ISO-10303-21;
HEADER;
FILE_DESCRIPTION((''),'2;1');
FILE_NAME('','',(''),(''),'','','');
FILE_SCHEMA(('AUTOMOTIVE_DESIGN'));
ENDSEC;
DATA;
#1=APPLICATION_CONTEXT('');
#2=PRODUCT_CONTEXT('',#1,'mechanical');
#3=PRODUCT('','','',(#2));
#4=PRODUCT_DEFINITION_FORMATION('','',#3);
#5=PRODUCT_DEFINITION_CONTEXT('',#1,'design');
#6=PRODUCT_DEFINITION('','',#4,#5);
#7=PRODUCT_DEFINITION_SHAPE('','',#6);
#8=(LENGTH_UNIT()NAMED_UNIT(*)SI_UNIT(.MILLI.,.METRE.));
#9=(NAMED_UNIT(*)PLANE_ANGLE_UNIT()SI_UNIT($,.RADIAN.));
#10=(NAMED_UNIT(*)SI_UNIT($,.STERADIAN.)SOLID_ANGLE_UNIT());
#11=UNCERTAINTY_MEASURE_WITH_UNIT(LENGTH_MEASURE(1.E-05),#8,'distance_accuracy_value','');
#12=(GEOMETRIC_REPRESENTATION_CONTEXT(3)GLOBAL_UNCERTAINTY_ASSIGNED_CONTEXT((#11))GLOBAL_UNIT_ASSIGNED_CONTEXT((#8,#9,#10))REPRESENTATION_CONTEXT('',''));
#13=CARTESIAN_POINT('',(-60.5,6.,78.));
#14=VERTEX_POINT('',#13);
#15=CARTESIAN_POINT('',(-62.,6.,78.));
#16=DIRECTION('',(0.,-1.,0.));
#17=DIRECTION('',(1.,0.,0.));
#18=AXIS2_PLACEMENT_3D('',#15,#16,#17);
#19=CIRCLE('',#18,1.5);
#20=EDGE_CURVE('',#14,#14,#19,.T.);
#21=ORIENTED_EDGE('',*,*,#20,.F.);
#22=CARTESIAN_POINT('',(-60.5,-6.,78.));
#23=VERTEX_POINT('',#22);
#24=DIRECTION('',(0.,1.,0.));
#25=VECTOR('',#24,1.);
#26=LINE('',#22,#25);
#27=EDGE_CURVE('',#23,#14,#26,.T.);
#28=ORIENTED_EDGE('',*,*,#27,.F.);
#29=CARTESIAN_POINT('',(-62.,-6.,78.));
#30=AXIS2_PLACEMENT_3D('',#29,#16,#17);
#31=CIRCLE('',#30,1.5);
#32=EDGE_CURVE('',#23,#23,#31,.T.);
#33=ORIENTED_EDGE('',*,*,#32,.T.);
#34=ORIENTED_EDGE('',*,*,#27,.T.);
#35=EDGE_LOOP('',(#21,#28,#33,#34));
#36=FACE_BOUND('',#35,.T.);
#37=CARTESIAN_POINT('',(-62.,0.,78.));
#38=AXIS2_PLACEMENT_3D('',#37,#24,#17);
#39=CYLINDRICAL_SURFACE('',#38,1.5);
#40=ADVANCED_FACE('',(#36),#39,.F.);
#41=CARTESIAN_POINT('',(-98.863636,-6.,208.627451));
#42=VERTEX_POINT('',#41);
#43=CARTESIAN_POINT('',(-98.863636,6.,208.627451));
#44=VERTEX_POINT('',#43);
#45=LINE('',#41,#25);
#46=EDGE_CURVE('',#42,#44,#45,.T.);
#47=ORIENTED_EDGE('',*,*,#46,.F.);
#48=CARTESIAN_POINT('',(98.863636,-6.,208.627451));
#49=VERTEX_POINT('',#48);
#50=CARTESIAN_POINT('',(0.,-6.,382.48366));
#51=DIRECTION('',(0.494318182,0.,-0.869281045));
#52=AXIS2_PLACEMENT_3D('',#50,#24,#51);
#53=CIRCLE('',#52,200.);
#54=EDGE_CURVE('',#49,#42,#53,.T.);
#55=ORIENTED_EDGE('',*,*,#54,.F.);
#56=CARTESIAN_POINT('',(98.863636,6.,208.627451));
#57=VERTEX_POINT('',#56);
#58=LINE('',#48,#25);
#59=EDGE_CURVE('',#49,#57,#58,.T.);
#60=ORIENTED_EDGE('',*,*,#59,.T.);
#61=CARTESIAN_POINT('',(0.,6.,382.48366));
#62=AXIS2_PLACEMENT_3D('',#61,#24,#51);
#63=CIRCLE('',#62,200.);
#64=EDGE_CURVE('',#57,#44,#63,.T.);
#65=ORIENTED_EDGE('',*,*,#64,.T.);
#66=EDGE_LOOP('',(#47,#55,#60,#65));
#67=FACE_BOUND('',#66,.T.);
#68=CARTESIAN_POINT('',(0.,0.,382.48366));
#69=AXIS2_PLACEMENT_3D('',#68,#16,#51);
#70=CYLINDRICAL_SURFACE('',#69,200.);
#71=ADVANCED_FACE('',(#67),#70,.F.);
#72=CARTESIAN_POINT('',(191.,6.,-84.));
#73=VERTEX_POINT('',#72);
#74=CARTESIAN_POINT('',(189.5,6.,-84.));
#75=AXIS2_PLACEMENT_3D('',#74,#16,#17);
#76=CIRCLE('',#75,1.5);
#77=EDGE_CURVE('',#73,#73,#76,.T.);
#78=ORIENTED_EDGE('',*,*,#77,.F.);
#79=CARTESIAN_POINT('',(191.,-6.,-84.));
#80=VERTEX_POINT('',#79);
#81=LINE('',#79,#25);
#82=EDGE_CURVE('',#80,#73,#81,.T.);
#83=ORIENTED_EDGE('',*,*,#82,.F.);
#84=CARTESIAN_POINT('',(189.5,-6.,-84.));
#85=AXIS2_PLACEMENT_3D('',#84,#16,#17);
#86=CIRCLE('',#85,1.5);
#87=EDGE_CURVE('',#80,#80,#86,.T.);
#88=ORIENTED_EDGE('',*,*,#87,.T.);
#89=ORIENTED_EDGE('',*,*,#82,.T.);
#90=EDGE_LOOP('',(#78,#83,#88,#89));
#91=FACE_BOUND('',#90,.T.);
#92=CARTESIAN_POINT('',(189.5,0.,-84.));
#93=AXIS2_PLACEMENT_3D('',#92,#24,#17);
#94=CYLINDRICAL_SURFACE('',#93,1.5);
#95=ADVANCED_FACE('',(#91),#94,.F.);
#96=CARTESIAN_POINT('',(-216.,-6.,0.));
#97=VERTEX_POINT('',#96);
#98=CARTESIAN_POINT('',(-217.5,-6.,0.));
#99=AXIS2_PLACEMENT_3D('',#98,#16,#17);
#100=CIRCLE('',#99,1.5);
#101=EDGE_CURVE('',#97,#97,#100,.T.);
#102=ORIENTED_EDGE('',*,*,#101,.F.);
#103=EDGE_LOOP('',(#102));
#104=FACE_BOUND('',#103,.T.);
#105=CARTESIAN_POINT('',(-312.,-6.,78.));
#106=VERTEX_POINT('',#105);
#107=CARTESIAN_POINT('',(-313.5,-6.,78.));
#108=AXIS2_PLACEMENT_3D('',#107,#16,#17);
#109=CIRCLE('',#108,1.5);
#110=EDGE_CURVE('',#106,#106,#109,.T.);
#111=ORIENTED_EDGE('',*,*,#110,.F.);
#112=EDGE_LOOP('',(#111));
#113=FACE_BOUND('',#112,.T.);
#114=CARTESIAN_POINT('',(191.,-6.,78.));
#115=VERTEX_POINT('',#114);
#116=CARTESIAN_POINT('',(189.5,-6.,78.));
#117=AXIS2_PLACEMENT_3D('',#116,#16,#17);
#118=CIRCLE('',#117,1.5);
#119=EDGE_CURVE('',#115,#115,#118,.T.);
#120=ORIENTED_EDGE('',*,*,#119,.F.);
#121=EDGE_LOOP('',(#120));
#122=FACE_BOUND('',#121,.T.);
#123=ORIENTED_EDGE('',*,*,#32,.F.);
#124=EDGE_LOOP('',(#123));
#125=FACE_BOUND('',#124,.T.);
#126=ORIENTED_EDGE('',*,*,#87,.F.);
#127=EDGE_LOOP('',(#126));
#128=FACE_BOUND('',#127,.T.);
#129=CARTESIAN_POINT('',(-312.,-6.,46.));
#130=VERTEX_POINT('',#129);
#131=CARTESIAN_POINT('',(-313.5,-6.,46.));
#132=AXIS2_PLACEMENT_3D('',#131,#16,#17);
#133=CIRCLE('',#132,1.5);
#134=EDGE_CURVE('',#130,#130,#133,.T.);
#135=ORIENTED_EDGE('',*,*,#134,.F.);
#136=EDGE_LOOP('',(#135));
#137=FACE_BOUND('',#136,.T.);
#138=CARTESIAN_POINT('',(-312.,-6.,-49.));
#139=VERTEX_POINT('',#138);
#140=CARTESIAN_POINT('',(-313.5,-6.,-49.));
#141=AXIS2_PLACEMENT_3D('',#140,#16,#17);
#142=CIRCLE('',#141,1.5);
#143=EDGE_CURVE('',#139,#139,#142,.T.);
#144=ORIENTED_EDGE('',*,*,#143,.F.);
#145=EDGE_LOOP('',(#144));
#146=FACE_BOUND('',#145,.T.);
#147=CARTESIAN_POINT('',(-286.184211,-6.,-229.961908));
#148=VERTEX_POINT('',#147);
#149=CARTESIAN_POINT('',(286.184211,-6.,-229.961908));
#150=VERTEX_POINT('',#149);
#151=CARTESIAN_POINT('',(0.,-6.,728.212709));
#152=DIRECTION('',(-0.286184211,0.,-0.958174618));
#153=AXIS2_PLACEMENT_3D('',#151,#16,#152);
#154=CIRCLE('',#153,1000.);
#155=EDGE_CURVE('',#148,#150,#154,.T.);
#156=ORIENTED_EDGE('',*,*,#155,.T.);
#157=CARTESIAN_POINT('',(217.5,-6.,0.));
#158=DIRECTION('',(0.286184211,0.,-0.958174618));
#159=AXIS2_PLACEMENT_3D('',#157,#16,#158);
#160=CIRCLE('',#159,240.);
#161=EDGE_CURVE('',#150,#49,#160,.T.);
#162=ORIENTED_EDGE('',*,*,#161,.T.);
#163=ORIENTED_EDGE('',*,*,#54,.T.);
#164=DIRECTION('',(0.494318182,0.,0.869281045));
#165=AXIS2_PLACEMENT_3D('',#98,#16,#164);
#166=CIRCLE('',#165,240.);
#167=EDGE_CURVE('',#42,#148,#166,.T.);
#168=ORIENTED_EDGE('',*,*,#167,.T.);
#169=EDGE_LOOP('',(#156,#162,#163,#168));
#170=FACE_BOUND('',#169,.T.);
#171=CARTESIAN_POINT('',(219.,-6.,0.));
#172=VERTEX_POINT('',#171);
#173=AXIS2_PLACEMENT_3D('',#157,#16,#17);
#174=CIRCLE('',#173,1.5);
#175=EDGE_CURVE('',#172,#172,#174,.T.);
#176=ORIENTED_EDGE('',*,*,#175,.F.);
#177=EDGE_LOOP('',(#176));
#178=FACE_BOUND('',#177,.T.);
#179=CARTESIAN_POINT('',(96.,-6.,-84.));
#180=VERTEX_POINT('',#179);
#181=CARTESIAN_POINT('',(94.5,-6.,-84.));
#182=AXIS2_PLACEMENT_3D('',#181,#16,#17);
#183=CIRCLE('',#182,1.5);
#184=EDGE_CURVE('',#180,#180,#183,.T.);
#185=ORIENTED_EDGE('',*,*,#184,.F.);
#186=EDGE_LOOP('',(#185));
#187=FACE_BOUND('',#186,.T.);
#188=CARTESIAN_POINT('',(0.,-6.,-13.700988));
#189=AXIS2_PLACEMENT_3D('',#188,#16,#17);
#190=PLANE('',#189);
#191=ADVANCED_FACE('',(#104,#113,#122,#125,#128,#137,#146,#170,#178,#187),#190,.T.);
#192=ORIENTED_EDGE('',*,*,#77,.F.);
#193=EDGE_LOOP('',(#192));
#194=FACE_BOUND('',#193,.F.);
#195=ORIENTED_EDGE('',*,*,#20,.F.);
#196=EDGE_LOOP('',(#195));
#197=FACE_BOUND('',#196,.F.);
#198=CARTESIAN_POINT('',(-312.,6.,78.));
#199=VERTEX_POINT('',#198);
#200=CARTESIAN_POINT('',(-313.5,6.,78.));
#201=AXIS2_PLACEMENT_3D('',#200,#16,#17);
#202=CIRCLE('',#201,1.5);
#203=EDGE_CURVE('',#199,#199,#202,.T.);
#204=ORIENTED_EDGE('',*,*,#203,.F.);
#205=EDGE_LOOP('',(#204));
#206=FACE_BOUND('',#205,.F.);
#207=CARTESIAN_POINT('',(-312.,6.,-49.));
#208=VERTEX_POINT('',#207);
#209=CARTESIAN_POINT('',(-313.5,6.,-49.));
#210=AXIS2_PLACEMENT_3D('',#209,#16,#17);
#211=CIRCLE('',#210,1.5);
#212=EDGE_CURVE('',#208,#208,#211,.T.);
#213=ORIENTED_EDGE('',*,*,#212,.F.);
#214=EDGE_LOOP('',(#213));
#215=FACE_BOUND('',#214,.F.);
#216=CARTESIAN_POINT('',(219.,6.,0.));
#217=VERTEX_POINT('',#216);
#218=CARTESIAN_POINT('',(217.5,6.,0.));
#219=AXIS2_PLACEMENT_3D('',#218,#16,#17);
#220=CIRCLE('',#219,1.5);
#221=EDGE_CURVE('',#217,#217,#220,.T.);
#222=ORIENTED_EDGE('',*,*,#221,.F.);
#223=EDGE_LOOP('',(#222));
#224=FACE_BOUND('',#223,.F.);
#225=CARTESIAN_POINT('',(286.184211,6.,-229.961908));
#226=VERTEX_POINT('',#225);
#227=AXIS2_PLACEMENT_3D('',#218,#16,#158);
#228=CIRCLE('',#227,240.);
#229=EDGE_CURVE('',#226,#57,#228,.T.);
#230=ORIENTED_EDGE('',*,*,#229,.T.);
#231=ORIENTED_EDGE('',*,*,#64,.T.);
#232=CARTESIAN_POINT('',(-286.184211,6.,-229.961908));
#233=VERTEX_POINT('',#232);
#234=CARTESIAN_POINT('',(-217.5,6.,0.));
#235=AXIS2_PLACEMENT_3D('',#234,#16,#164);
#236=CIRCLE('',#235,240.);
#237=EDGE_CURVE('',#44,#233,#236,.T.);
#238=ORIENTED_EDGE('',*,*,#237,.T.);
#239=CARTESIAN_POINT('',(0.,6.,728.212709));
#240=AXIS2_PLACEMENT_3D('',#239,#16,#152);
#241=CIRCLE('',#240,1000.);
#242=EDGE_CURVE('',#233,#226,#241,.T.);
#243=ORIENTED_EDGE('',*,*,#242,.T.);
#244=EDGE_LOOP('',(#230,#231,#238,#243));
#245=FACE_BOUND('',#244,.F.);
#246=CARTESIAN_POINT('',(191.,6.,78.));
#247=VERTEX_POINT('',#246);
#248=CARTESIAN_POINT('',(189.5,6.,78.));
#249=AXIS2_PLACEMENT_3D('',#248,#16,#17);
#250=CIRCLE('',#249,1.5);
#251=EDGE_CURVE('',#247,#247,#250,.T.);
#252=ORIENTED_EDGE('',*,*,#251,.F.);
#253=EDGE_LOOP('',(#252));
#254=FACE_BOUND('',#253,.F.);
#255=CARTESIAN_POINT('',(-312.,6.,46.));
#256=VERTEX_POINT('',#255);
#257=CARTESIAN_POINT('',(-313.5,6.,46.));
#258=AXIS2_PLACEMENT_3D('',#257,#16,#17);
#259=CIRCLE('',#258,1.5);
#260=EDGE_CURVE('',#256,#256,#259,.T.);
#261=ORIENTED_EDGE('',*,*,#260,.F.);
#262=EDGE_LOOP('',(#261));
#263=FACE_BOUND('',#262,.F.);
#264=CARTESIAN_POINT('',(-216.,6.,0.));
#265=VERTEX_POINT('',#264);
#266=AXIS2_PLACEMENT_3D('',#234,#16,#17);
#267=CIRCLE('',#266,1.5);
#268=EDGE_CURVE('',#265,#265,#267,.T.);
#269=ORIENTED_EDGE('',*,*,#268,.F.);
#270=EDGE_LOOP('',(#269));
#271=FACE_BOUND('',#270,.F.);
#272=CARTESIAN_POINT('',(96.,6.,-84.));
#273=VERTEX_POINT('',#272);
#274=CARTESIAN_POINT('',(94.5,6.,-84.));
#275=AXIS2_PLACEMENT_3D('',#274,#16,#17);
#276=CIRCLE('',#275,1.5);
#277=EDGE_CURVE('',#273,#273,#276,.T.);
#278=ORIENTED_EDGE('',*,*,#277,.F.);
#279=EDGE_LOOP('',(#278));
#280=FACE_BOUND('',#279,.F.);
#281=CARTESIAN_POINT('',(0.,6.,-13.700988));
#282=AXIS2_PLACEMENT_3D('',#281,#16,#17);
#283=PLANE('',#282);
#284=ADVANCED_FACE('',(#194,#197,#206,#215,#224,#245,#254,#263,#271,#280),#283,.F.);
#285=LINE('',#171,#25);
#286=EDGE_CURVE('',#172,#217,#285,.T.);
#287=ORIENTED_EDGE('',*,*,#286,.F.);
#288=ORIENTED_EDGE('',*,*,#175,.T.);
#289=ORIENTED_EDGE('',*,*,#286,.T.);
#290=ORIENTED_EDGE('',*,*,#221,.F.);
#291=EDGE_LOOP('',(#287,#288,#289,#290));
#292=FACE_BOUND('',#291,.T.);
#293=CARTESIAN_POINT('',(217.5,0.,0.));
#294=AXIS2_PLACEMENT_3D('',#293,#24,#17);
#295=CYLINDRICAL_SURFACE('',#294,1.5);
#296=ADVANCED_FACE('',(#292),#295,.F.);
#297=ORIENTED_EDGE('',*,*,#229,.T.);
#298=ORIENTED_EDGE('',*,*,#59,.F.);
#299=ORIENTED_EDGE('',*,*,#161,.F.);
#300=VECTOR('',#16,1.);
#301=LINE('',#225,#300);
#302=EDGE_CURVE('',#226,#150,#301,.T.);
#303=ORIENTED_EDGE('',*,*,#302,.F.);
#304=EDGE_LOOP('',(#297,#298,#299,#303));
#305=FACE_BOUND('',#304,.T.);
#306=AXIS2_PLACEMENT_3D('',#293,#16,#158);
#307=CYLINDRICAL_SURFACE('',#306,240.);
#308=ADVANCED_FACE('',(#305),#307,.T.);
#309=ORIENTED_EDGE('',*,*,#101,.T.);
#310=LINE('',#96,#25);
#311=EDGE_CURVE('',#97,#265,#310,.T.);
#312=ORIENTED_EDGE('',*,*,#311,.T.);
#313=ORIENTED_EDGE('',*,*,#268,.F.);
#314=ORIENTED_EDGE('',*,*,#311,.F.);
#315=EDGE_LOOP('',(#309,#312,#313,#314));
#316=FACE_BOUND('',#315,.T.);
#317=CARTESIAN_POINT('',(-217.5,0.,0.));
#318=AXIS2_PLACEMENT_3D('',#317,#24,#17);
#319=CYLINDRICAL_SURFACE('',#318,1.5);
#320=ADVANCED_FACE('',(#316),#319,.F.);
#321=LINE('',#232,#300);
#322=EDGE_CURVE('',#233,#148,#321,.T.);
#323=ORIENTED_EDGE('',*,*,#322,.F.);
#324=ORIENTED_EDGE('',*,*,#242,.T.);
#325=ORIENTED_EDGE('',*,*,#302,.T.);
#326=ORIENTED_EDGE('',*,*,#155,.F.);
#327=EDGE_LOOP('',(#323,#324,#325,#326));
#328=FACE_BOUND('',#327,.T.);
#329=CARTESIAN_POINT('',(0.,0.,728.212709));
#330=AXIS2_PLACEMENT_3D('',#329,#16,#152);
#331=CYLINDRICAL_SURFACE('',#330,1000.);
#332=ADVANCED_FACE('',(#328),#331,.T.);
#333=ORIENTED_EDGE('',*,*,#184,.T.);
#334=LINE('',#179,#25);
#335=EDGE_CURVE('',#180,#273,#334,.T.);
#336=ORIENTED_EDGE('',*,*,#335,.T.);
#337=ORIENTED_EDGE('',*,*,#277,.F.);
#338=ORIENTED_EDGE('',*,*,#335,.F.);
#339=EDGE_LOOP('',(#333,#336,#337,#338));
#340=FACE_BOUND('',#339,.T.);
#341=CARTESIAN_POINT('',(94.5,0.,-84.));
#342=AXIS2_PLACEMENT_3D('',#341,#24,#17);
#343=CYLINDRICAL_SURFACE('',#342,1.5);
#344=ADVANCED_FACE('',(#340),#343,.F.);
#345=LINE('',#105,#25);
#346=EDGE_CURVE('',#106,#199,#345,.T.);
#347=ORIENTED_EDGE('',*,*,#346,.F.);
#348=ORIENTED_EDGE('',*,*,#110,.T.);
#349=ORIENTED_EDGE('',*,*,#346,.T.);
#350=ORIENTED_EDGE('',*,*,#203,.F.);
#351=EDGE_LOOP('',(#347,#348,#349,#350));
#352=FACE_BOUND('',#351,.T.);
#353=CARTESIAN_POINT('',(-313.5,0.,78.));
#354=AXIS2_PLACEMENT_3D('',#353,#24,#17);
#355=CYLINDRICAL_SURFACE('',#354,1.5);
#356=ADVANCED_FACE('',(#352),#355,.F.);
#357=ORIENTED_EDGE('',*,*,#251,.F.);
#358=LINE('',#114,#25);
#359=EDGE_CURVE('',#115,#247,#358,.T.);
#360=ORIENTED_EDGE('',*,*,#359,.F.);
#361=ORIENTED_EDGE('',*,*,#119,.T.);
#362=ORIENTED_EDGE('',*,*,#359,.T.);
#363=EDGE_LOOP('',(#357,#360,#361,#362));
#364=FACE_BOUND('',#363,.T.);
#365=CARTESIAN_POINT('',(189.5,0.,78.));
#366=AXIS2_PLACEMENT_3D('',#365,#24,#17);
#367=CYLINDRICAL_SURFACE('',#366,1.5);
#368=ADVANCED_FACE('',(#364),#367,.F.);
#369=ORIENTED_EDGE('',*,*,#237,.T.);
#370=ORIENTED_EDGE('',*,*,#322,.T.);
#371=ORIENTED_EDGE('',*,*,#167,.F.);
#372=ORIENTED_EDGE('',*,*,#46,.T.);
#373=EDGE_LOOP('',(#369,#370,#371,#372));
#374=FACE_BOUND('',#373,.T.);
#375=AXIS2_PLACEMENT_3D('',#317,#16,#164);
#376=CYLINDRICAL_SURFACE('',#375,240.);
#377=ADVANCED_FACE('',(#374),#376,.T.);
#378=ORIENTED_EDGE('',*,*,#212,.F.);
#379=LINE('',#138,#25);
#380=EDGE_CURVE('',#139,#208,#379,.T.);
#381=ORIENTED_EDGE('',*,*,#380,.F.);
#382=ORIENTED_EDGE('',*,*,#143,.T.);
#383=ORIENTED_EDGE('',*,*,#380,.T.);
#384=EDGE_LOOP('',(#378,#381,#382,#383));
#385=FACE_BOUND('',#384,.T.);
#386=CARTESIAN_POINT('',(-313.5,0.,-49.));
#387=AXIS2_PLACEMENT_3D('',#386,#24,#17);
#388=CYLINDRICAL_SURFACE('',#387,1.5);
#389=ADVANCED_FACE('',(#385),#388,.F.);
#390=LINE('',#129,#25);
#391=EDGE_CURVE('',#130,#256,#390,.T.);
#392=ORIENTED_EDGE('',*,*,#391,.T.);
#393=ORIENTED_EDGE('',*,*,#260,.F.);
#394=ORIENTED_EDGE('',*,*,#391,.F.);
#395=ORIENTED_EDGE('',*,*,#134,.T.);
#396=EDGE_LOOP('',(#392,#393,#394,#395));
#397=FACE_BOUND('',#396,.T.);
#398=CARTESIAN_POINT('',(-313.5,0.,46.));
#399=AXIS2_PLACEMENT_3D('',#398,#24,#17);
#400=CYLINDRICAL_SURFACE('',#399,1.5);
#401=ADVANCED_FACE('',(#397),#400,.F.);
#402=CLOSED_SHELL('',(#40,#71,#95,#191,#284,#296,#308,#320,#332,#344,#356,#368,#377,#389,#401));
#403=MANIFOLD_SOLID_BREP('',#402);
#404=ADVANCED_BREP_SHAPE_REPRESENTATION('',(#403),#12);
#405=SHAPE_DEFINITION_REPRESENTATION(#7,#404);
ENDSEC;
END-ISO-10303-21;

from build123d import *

# Parameters (mm, degrees)
F0_R     = 1.5
F1_DEPTH = 6


with BuildPart() as f1:
    # F0 (on Front) → F1 (new body, symmetric)
    with BuildSketch(Plane.XZ):
        with BuildLine():
            ThreePointArc((-98.8636363636, 208.62745079), (-438.2123939781, 94.2657898945), (-286.1842105263, -229.961908203))
            ThreePointArc((-286.1842105263, -229.961908203), (0, -271.7872906904), (286.1842105263, -229.961908203))
            ThreePointArc((286.1842105263, -229.961908203), (438.2123939781, 94.2657898945), (98.8636363636, 208.62745079))
            ThreePointArc((98.8636363636, 208.62745079), (0, 182.4836597817), (-98.8636363636, 208.62745079))
        make_face()
        with Locations((-313.5, -49)):
            Circle(F0_R, mode=Mode.SUBTRACT)
        with Locations((94.5, -84)):
            Circle(F0_R, mode=Mode.SUBTRACT)
        with Locations((189.5, -84)):
            Circle(F0_R, mode=Mode.SUBTRACT)
        with Locations((-313.5, 46)):
            Circle(F0_R, mode=Mode.SUBTRACT)
        with Locations((-313.5, 78)):
            Circle(F0_R, mode=Mode.SUBTRACT)
        with Locations((-217.5, 0)):
            Circle(F0_R, mode=Mode.SUBTRACT)
        with Locations((-62, 78)):
            Circle(F0_R, mode=Mode.SUBTRACT)
        with Locations((217.5, 0)):
            Circle(F0_R, mode=Mode.SUBTRACT)
        with Locations((189.5, 78)):
            Circle(F0_R, mode=Mode.SUBTRACT)
    extrude(amount=F1_DEPTH, both=True)


solid = f1.part
